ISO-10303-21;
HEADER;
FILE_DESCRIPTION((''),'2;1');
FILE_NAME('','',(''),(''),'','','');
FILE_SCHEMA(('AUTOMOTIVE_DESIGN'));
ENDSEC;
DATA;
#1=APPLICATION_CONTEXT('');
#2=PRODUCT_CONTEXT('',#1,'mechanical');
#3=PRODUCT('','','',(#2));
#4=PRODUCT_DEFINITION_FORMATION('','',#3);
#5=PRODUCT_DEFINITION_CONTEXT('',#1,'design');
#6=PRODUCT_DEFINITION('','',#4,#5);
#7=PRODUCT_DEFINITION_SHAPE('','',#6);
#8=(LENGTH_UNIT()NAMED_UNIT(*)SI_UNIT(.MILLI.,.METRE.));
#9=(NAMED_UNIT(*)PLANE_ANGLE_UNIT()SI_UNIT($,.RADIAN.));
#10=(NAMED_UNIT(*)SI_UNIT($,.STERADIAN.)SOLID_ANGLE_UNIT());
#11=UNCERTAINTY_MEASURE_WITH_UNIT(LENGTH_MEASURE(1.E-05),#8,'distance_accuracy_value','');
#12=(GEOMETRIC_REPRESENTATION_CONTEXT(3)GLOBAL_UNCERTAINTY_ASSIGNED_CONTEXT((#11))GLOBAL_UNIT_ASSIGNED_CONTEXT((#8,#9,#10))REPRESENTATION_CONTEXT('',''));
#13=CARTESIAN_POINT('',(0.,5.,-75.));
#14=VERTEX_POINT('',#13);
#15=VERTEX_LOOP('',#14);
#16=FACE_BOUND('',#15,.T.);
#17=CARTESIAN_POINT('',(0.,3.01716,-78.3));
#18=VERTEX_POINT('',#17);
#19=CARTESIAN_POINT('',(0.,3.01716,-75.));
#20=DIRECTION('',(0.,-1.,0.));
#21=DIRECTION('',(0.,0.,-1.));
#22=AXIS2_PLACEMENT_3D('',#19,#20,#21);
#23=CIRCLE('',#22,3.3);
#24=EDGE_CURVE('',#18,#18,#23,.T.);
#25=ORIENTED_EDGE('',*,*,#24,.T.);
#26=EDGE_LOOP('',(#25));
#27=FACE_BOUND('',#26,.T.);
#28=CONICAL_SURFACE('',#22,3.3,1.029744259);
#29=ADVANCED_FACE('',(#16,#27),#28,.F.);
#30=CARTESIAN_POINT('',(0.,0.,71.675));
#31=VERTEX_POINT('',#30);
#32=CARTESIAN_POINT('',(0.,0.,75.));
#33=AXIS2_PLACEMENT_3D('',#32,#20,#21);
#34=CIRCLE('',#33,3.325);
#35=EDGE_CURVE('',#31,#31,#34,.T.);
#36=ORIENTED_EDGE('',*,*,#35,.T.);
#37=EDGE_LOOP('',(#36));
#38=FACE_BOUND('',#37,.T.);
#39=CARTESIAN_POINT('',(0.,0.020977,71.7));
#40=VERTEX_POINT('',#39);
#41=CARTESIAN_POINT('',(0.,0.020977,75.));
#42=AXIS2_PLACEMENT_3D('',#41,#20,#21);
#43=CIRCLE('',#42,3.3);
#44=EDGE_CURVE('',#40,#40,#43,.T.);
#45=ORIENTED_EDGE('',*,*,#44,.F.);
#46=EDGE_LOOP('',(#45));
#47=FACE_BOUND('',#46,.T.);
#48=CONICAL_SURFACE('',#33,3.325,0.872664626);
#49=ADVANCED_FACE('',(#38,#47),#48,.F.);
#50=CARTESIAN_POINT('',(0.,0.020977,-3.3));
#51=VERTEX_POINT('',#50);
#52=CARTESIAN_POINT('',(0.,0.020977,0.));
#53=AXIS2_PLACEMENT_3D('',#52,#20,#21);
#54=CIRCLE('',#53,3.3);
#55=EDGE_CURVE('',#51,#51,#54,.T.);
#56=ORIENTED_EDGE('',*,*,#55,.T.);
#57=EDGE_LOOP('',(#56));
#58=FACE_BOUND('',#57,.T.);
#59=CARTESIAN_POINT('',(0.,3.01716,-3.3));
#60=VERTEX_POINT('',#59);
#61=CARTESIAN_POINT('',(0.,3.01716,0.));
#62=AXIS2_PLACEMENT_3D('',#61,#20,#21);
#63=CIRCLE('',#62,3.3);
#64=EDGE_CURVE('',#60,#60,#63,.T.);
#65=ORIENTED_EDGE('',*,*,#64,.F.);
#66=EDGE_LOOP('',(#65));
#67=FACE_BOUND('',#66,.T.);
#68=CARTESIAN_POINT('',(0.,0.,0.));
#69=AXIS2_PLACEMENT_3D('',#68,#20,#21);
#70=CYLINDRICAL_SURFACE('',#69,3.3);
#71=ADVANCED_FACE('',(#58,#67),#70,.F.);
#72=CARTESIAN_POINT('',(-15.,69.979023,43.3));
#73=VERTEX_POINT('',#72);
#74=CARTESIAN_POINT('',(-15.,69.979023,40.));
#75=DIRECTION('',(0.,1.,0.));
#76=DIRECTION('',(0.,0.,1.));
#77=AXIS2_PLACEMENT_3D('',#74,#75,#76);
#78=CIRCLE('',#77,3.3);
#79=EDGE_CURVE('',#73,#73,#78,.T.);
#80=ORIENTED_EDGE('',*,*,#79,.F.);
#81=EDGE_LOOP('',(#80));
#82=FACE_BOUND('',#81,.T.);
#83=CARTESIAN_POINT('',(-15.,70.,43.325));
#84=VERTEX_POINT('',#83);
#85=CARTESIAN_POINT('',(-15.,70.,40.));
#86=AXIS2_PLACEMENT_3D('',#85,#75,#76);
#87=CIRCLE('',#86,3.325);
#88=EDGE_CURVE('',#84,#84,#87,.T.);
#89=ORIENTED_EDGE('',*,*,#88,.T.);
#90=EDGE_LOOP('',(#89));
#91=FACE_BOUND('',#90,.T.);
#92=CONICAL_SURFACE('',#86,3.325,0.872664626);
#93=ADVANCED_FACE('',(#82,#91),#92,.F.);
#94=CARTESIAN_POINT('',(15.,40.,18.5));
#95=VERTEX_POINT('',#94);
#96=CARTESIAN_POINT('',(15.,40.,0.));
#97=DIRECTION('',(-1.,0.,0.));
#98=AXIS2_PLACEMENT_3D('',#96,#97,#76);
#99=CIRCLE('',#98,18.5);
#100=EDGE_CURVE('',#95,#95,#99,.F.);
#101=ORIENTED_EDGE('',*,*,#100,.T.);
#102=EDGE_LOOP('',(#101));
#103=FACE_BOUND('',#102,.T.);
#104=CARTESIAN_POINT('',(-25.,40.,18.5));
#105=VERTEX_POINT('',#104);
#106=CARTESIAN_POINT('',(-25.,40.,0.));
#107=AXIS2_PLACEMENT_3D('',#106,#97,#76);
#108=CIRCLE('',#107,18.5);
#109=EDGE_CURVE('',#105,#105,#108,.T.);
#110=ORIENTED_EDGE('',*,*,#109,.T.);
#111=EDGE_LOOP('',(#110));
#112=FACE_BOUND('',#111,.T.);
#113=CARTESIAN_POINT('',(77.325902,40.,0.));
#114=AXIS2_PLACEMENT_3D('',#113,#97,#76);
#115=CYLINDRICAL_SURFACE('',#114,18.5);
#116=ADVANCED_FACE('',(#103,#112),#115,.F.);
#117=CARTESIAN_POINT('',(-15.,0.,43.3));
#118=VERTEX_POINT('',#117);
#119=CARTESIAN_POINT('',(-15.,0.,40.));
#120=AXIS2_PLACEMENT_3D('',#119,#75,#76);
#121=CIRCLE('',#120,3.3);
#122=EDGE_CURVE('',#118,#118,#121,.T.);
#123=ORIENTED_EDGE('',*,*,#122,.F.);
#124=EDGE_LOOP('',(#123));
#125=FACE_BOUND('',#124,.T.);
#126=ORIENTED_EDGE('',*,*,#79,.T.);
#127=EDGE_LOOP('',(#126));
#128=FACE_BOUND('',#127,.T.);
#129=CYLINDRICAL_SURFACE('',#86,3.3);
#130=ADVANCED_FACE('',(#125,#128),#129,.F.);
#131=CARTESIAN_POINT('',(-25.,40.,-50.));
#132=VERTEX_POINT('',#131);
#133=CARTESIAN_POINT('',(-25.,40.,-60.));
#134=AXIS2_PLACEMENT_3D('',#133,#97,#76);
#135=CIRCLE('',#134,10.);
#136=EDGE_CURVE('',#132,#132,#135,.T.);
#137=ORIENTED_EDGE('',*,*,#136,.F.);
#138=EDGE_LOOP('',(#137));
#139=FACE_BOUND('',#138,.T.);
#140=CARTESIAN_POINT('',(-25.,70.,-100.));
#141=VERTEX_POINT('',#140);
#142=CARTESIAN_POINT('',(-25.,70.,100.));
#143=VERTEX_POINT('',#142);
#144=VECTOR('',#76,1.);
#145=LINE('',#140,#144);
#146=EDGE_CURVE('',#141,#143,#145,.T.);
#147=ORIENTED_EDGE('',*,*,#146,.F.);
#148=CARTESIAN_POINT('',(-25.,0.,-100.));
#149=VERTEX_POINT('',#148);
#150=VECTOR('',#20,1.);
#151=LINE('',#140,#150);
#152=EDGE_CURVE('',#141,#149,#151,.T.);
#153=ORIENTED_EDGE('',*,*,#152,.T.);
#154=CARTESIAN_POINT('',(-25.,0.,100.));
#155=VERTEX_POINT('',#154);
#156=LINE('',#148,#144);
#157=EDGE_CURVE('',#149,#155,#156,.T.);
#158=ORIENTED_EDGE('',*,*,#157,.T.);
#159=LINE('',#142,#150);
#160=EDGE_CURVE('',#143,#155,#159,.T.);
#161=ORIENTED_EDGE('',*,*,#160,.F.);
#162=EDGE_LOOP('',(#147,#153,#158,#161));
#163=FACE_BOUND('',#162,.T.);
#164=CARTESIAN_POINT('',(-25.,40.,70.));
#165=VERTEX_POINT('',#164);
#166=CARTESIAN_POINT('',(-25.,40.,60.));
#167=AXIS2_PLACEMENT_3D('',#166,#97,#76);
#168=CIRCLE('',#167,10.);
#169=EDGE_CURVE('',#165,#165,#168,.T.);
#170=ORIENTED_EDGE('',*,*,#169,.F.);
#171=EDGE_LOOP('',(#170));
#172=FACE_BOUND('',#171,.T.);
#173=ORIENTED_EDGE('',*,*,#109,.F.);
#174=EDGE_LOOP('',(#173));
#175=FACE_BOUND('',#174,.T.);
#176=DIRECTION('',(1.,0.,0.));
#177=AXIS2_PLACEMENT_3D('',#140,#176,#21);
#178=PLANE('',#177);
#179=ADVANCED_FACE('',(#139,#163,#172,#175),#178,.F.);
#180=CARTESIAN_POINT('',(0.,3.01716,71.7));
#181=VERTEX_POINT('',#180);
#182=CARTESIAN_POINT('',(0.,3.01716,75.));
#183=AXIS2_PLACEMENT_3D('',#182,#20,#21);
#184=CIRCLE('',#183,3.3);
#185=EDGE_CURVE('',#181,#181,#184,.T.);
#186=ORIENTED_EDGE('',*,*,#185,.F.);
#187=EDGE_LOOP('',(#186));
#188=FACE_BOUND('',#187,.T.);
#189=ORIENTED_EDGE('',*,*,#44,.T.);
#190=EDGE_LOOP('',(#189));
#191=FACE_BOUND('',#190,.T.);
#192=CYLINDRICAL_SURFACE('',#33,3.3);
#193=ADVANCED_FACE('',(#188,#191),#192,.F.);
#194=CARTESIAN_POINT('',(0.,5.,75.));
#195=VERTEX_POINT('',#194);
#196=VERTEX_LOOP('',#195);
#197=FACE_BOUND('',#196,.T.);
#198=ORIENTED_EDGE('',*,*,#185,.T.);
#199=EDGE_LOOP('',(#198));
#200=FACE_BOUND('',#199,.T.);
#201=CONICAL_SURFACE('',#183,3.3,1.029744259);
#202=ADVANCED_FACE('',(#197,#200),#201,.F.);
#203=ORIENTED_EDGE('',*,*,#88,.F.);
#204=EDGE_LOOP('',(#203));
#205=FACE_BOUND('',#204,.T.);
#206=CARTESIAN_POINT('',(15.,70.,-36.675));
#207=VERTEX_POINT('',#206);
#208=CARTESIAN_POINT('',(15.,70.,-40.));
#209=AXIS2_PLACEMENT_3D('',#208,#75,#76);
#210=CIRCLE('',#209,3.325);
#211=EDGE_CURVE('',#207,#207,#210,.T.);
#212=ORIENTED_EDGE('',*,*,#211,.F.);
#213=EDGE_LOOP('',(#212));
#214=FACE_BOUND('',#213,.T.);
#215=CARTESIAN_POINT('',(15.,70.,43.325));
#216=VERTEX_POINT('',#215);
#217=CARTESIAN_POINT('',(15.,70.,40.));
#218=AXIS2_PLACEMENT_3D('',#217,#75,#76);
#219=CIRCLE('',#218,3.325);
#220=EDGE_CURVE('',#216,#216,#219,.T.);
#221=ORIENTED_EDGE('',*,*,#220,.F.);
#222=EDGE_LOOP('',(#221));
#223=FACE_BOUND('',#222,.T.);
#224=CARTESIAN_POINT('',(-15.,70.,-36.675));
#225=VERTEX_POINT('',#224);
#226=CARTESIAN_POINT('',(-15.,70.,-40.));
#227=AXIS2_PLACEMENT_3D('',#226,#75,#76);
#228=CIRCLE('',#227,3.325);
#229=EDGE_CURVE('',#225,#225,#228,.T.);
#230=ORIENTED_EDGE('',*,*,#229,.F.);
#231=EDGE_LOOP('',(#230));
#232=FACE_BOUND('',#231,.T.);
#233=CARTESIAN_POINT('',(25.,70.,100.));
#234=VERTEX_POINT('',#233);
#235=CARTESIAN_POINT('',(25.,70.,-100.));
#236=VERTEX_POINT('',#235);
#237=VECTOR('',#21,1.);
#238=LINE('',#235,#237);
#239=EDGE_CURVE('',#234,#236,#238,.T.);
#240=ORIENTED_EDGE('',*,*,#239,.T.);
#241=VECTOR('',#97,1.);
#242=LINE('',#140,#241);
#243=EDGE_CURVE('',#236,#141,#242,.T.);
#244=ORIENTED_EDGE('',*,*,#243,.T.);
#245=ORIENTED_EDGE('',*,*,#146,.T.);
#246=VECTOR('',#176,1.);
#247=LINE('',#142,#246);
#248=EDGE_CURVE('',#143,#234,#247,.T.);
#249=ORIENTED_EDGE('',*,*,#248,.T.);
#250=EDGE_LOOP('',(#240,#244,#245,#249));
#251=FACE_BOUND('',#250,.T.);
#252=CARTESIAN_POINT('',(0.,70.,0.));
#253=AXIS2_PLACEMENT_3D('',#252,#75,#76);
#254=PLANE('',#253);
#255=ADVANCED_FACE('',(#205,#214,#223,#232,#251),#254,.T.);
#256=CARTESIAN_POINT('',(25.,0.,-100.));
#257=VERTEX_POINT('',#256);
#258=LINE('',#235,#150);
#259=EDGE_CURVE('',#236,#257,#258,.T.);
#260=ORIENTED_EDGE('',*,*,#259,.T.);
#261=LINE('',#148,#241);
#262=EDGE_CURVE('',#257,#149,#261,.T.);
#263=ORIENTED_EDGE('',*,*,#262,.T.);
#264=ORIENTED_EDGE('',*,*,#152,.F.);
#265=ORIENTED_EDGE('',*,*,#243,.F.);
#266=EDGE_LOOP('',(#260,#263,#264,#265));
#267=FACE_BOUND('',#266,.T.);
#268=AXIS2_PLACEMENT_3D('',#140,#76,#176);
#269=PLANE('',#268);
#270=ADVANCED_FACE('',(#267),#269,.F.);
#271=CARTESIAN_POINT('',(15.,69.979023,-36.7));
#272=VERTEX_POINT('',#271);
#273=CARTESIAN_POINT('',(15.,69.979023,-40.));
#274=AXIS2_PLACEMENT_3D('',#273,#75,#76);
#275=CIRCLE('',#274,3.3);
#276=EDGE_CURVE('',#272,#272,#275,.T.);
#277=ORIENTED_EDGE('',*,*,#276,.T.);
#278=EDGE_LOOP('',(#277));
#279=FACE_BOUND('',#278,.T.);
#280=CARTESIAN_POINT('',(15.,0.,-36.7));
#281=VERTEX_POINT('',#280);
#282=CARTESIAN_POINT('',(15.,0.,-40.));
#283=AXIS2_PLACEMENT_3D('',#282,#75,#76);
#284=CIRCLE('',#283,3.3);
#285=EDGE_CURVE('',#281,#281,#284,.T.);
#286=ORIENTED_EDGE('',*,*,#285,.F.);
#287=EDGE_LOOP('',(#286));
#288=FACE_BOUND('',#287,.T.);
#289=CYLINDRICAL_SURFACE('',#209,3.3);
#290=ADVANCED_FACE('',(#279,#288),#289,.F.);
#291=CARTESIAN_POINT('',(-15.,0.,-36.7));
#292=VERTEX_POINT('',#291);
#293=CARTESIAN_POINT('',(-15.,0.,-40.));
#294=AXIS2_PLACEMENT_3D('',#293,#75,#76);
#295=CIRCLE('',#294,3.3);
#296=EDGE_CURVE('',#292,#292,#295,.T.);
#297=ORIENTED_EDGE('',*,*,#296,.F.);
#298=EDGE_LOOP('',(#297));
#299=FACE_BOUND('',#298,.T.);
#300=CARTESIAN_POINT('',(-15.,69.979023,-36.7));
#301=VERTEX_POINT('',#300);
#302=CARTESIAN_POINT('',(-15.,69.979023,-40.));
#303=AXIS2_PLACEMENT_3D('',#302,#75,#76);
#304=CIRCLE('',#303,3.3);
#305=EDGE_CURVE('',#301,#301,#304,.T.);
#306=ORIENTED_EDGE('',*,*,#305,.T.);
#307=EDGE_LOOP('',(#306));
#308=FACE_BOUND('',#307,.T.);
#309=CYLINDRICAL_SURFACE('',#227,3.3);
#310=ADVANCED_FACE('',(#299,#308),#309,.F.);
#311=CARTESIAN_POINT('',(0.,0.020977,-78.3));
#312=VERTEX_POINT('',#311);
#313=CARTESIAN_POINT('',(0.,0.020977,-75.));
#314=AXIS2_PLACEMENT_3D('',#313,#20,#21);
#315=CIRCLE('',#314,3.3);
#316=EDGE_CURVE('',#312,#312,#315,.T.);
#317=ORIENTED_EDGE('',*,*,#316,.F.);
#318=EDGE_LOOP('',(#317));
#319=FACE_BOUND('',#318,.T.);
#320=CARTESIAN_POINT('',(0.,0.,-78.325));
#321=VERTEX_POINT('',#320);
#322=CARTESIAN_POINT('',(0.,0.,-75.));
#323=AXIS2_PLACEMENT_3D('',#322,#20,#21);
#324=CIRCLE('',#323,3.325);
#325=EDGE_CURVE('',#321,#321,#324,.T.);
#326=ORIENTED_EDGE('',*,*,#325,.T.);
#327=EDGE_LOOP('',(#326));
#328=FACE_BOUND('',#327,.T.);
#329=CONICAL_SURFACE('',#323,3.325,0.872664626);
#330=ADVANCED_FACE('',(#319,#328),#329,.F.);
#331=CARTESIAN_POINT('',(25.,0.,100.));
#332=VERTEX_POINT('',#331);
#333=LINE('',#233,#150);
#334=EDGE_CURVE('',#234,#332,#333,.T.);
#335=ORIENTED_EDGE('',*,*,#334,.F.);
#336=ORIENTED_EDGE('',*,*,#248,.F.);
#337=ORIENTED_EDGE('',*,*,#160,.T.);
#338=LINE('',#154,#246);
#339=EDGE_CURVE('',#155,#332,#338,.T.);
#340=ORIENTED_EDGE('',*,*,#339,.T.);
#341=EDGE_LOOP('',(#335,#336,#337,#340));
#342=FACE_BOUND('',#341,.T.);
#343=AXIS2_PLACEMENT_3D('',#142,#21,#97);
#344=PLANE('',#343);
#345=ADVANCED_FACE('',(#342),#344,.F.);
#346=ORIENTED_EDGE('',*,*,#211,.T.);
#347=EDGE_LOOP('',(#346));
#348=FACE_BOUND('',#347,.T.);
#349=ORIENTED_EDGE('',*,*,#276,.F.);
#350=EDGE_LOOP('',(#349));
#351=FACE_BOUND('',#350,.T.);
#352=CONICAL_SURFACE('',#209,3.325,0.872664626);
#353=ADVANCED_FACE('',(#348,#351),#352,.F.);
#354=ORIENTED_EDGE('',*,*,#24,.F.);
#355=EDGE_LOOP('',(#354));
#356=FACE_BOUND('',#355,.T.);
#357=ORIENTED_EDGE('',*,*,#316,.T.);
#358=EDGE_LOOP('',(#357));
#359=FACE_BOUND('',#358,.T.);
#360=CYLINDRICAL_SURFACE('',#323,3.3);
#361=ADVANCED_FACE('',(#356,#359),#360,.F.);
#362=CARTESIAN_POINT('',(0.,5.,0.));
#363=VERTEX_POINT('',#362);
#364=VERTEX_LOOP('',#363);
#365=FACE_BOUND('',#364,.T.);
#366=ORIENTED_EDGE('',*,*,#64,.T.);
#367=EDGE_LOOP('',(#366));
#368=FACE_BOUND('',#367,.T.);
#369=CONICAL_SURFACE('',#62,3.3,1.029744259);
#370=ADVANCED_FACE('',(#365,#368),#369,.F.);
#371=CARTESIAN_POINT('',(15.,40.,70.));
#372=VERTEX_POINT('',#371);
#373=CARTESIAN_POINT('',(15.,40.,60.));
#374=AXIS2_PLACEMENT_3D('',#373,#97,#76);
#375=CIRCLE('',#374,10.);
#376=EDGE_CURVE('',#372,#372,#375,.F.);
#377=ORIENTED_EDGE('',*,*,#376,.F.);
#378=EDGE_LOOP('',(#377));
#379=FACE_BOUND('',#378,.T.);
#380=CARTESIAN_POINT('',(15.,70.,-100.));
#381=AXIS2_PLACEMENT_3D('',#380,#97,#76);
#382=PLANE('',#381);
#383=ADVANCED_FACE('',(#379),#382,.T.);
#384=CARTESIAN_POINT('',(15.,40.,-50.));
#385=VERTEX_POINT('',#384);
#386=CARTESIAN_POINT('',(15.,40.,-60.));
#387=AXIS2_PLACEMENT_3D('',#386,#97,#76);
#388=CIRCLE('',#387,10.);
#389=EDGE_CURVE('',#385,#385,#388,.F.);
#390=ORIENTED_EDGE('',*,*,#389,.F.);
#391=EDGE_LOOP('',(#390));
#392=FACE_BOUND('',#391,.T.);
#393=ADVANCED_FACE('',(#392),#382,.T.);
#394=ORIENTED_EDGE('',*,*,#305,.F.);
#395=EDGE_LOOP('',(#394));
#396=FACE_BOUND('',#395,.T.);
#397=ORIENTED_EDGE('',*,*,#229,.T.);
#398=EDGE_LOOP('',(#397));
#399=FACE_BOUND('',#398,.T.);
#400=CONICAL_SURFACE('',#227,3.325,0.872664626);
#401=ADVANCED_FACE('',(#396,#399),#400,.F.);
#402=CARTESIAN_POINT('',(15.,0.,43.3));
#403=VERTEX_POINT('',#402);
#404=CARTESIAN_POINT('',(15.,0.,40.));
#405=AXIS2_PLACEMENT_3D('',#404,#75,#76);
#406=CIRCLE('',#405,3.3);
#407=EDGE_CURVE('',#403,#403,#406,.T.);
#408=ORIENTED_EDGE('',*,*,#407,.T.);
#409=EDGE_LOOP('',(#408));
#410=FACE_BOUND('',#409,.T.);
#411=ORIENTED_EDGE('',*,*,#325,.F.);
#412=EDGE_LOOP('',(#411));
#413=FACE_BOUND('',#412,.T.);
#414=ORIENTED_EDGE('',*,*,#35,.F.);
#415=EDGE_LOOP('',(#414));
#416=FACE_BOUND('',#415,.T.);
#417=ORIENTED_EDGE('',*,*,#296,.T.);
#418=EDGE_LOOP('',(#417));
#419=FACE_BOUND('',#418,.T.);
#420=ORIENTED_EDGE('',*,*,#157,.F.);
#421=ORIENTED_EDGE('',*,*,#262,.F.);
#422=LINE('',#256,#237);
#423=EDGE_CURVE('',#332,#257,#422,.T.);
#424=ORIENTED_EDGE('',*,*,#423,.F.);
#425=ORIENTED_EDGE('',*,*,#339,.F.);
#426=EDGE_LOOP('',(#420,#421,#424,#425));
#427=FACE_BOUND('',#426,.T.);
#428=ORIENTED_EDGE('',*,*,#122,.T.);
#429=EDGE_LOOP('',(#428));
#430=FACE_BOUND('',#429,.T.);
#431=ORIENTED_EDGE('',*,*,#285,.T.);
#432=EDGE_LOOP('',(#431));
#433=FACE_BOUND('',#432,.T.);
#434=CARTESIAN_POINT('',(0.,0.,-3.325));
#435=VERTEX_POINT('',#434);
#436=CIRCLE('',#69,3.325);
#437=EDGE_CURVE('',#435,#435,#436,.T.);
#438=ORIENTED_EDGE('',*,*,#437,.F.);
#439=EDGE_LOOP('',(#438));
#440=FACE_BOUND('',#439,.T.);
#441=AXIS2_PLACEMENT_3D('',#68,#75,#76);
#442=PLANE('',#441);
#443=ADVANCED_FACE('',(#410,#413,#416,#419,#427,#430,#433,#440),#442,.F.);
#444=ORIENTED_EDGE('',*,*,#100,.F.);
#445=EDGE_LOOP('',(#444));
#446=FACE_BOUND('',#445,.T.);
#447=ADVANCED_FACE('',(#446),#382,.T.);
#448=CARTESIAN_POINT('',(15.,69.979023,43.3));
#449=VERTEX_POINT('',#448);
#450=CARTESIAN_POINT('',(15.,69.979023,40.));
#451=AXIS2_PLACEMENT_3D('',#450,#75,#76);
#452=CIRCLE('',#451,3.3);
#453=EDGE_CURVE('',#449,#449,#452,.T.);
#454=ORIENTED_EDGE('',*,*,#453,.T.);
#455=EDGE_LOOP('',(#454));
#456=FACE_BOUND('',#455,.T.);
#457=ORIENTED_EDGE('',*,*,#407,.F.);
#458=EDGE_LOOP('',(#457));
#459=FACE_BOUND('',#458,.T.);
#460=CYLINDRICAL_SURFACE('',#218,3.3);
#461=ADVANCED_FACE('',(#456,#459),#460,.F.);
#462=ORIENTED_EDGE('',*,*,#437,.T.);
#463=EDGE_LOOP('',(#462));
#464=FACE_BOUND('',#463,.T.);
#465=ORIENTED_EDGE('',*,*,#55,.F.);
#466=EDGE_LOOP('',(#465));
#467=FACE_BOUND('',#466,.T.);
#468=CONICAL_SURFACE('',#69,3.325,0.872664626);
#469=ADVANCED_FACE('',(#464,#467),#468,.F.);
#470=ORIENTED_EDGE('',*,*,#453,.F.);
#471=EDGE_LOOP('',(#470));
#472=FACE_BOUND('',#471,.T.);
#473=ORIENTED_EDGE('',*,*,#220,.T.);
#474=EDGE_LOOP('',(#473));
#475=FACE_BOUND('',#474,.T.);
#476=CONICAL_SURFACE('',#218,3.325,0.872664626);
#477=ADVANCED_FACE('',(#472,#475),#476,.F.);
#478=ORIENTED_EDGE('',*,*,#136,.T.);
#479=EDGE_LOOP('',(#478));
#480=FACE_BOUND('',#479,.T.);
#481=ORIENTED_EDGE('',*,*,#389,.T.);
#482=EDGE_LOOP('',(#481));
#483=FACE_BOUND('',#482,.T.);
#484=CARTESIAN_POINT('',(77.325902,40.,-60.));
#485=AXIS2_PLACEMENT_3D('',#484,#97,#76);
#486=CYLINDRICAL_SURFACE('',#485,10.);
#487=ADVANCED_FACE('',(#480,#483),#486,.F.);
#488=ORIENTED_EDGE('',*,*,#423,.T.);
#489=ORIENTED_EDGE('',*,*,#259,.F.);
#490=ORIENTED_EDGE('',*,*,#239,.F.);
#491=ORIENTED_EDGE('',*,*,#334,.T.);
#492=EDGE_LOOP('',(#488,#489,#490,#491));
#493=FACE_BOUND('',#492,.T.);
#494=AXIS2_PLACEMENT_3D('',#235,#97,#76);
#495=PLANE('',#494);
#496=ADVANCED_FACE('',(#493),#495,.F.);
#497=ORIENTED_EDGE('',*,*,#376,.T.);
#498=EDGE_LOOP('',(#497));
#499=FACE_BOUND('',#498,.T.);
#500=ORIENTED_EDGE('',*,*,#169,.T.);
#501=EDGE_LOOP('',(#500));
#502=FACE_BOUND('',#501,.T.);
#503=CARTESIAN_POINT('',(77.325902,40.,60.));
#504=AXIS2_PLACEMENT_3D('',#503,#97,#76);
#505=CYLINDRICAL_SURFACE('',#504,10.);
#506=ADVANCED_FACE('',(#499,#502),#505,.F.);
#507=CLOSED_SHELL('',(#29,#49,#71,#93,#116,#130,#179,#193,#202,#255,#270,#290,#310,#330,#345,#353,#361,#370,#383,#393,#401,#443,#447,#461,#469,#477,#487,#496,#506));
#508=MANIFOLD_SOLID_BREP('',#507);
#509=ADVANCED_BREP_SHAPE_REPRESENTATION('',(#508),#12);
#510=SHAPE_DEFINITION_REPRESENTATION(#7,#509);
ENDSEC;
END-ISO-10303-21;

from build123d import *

# Parameters (mm, degrees)
SKETCH1_W                      = 50
SKETCH1_H                      = 200
BOSS_EXTRUDE1_DEPTH            = 70
M6_CLEARANCE_HOLE1_D           = 6.6
M6_CLEARANCE_HOLE1_DEPTH       = 3.017159957
M6_CLEARANCE_HOLE1_CSINK_D     = 6.65
M6_CLEARANCE_HOLE1_CSINK_ANGLE = 100
M6_CLEARANCE_HOLE1_TIP         = 1.982840043
SKETCH5_R                      = 10
SKETCH5_R_2                    = 18.5
CUT_EXTRUDE1_DEPTH             = 40
M6_CLEARANCE_HOLE2_D           = 6.6
M6_CLEARANCE_HOLE2_CSINK_D     = 6.65
M6_CLEARANCE_HOLE2_CSINK_ANGLE = 100


with BuildPart() as part:
    # Sketch1 → Boss-Extrude1 (new body)
    with BuildSketch(Plane(origin=(0, 0, 0), x_dir=(1, 0, 0), z_dir=(0, 1, 0))):
        Rectangle(SKETCH1_W, SKETCH1_H)
    extrude(amount=BOSS_EXTRUDE1_DEPTH)

    # M6 Clearance Hole1
    with Locations(Plane(origin=(0, 0, 0), x_dir=(-1, 0, 0), z_dir=(0, -1, 0))):
        with Locations((0, 75), (0, 0), (0, -75)):
            CounterSinkHole(M6_CLEARANCE_HOLE1_D / 2, M6_CLEARANCE_HOLE1_CSINK_D / 2, depth=M6_CLEARANCE_HOLE1_DEPTH, counter_sink_angle=M6_CLEARANCE_HOLE1_CSINK_ANGLE)
            with Locations((0, 0, -(M6_CLEARANCE_HOLE1_DEPTH + M6_CLEARANCE_HOLE1_TIP / 2))):  # 118° drill point
                Cone(0, M6_CLEARANCE_HOLE1_D / 2, M6_CLEARANCE_HOLE1_TIP, mode=Mode.SUBTRACT)

    # Sketch5 → Cut-Extrude1 (cut)
    with BuildSketch(Plane.ZY.offset(25)):
        with Locations((-60, 40)):
            Circle(SKETCH5_R)
        with Locations((60, 40)):
            Circle(SKETCH5_R)
        with Locations((0, 40)):
            Circle(SKETCH5_R_2)
    extrude(amount=-CUT_EXTRUDE1_DEPTH, mode=Mode.SUBTRACT)

    # M6 Clearance Hole2 (through all)
    with Locations(Plane(origin=(0, 70, 0), x_dir=(1, 0, 0), z_dir=(0, 1, 0))):
        with Locations((-15, 40), (15, 40), (-15, -40), (15, -40)):
            CounterSinkHole(M6_CLEARANCE_HOLE2_D / 2, M6_CLEARANCE_HOLE2_CSINK_D / 2, counter_sink_angle=M6_CLEARANCE_HOLE2_CSINK_ANGLE)


solid = part.part
